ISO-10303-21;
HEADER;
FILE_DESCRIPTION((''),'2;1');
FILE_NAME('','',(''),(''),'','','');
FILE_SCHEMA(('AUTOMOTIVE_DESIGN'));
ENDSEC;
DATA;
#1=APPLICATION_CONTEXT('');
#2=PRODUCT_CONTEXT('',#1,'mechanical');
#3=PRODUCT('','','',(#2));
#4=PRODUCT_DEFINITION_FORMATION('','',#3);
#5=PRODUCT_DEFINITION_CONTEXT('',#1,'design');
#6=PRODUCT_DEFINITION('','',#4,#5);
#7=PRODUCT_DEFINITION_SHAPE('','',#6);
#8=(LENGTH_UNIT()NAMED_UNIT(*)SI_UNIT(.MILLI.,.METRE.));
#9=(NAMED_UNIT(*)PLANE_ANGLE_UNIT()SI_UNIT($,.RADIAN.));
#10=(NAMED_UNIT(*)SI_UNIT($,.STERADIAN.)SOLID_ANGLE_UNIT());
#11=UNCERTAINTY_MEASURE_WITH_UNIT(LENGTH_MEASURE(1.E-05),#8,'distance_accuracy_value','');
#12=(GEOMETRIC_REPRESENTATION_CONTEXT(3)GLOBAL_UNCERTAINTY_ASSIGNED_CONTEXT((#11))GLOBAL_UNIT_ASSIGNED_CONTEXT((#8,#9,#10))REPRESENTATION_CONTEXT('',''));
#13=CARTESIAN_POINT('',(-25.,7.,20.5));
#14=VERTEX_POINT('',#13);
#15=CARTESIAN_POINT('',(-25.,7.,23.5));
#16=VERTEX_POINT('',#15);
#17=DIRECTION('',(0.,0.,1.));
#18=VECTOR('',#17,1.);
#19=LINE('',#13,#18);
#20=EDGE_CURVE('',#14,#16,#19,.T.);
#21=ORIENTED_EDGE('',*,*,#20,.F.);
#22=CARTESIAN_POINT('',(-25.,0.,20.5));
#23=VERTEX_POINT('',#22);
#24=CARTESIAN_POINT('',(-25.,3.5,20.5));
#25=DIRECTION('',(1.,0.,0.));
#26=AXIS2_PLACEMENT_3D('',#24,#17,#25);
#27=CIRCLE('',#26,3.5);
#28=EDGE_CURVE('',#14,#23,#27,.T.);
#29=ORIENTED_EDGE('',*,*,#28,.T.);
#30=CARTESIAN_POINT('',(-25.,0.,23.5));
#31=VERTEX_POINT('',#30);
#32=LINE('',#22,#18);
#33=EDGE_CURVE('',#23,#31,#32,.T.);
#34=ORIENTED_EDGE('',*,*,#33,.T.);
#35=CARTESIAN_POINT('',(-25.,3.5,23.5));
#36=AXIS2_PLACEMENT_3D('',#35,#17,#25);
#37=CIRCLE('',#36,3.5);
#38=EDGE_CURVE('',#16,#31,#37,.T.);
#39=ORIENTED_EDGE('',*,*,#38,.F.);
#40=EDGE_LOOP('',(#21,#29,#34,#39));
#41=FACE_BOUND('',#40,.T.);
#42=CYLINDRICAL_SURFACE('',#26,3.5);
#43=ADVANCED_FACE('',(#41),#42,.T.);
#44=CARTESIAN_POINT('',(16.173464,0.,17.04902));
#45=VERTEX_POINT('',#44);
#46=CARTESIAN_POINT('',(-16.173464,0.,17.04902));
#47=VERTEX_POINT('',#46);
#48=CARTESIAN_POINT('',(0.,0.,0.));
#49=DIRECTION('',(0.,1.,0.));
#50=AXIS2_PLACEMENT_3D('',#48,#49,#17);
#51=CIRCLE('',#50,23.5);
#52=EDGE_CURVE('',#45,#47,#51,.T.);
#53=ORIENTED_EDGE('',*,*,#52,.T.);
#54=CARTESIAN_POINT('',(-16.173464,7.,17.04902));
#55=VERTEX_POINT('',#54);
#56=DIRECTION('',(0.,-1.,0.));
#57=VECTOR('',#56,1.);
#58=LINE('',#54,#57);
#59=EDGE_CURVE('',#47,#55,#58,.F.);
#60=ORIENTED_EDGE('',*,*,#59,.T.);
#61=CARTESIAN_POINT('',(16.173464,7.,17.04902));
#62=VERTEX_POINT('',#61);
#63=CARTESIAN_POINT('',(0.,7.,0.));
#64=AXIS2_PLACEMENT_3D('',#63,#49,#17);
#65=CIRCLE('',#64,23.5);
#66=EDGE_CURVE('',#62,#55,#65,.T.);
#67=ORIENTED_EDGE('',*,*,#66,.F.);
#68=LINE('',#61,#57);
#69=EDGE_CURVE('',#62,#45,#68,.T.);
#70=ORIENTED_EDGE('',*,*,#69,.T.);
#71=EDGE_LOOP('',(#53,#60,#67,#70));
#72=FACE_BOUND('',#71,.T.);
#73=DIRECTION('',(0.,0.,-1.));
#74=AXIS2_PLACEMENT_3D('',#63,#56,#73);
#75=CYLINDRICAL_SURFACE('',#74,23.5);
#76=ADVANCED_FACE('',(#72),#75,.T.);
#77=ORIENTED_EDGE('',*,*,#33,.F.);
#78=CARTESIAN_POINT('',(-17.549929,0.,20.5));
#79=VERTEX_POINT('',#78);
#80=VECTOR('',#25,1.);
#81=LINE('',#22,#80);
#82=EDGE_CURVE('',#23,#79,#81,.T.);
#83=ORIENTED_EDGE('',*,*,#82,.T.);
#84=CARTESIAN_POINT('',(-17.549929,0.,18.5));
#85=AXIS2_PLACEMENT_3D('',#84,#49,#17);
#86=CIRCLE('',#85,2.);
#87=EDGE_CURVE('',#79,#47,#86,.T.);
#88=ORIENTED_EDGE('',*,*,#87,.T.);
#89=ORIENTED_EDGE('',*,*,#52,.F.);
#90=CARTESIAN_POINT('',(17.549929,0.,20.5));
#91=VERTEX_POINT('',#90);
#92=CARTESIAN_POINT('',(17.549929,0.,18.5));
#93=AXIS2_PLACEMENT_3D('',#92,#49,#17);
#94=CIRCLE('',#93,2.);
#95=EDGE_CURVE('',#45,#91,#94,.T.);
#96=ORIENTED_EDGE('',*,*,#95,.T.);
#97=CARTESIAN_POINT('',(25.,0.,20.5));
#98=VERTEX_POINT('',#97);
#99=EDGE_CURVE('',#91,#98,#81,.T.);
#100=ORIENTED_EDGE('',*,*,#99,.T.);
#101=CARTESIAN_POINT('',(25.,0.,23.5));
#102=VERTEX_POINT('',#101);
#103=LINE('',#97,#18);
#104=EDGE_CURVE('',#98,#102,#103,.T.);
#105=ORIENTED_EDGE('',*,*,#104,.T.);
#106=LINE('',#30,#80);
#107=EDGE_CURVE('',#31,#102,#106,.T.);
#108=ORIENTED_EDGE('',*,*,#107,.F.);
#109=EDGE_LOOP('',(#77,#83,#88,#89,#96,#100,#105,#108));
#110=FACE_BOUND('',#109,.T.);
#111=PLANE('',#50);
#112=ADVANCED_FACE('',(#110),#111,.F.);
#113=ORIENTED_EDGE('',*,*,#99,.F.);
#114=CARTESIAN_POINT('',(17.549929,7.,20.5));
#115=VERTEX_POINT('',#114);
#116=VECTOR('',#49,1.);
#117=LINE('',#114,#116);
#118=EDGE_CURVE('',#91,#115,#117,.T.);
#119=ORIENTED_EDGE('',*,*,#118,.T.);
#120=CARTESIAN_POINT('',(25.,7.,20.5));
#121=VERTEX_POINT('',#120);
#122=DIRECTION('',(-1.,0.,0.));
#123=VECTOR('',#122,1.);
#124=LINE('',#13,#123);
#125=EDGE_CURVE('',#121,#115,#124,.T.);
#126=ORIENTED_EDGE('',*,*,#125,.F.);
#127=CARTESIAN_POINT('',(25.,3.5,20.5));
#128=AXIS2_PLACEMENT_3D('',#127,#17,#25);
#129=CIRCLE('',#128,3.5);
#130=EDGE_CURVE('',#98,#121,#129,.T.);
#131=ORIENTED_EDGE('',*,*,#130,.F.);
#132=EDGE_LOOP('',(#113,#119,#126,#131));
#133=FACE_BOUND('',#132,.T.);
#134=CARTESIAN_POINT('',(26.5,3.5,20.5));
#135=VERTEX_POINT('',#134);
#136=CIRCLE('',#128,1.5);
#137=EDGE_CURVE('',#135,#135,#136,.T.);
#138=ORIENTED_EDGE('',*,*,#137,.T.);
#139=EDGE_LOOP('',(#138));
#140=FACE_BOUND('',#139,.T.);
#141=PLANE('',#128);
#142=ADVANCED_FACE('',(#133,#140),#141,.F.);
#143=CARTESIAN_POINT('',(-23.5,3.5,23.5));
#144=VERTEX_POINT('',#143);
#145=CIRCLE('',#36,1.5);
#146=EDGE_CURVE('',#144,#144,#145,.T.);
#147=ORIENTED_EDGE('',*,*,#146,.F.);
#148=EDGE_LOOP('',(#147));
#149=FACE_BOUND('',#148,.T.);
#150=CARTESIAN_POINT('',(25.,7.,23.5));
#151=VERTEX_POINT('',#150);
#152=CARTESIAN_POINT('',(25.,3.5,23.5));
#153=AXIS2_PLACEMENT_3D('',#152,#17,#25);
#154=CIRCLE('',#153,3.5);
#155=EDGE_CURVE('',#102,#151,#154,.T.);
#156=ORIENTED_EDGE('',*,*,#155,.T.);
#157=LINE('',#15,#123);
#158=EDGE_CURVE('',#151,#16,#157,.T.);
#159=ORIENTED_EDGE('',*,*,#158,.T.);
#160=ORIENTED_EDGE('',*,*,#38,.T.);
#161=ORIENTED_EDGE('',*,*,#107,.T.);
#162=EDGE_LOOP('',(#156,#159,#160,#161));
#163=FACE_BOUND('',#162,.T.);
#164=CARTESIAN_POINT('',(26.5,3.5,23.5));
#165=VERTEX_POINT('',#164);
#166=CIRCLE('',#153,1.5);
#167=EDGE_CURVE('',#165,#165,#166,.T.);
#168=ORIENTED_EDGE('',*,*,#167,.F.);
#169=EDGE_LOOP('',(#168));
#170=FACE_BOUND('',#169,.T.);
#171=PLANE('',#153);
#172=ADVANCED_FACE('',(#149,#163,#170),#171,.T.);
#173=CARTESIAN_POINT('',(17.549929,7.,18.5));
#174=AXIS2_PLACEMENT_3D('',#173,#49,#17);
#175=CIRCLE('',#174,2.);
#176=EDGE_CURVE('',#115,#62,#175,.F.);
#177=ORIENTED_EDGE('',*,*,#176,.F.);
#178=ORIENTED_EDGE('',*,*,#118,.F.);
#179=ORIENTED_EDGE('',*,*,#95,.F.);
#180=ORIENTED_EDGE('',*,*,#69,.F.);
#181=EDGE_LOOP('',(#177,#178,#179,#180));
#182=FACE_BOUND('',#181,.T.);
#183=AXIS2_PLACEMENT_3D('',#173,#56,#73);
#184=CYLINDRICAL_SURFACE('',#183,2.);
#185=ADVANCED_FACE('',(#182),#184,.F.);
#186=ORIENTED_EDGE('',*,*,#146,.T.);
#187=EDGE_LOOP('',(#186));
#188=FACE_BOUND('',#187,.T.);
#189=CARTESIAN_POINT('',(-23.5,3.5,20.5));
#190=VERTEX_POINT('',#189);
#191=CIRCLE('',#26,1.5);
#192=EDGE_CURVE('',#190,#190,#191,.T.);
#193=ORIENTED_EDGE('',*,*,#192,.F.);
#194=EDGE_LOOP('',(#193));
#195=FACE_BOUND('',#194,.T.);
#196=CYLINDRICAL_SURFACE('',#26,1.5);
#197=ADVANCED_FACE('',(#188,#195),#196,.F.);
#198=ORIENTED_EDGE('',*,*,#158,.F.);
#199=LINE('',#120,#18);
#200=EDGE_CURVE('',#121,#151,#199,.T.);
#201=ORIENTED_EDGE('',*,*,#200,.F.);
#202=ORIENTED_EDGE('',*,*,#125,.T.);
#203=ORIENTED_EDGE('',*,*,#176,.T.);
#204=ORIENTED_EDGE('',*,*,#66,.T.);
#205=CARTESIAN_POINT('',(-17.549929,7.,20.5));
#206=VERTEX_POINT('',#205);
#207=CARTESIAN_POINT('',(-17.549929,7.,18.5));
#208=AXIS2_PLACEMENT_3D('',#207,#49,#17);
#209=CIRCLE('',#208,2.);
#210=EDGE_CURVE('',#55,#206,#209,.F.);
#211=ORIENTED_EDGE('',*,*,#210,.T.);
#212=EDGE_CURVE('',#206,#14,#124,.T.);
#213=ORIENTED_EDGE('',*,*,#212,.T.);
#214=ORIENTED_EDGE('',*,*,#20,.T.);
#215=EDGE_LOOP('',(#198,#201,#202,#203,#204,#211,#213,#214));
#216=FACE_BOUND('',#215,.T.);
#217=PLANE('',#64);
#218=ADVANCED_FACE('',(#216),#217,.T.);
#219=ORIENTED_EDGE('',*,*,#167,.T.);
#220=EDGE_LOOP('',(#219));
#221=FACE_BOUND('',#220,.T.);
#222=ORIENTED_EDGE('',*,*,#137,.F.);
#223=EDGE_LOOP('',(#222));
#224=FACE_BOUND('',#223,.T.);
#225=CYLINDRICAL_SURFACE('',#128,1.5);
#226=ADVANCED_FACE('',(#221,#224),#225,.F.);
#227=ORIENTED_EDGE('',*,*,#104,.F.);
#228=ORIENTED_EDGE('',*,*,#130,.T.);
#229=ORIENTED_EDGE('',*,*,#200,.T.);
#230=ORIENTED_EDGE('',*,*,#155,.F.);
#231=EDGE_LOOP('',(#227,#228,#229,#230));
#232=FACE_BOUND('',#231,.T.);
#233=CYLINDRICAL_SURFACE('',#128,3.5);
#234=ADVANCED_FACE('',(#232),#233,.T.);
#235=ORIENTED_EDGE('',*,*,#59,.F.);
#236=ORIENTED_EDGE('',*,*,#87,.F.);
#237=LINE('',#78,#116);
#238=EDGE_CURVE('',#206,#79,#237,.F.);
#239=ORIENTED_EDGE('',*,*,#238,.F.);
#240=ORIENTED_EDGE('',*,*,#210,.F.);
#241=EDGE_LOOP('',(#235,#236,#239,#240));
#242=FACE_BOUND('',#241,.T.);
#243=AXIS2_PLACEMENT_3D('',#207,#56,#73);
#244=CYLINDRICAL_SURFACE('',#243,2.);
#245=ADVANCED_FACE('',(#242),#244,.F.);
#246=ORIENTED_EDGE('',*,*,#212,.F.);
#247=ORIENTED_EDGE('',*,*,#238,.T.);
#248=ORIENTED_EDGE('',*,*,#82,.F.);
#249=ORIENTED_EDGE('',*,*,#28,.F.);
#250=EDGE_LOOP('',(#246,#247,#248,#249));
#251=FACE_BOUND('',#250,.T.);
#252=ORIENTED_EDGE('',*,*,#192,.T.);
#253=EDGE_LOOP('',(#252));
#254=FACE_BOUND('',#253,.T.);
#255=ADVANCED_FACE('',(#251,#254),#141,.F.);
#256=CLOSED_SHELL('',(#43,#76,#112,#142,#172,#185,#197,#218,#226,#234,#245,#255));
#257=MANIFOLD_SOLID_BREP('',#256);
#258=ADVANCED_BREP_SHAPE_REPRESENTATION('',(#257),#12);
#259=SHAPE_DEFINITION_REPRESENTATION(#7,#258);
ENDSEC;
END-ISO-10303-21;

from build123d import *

# Parameters (mm, degrees)
SKETCH1_R           = 23.5
BOSS_EXTRUDE1_DEPTH = 7
SKETCH2_R           = 1.5
BOSS_EXTRUDE2_DEPTH = 3
FILLET1_R           = 2


with BuildPart() as part:
    # Sketch1 → Boss-Extrude1 (new body)
    with BuildSketch(Plane(origin=(0, 0, 0), x_dir=(1, 0, 0), z_dir=(0, 1, 0))):
        with Locations(Location((0, 0, 0), (0, 0, 270))):
            Circle(SKETCH1_R)
    extrude(amount=BOSS_EXTRUDE1_DEPTH)

    # Sketch2 → Boss-Extrude2 (add)
    with BuildSketch(Plane.XY.offset(23.5)):
        with BuildLine():
            Line((-25, 0), (25, 0))
            ThreePointArc((25, 0), (28.5, 3.5), (25, 7))
            Line((25, 7), (-25, 7))
            ThreePointArc((-25, 7), (-28.5, 3.5), (-25, 0))
        make_face()
        with Locations((25, 3.5)):
            Circle(SKETCH2_R, mode=Mode.SUBTRACT)
        with Locations((-25, 3.5)):
            Circle(SKETCH2_R, mode=Mode.SUBTRACT)
    extrude(amount=-BOSS_EXTRUDE2_DEPTH)

    # Fillet1
    fillet1_edges = [part.edges().sort_by_distance(p)[0] for p in [
        (-11.489125293, 3.5, 20.5),
        (11.489125293, 3.5, 20.5),
    ]]
    fillet(fillet1_edges, radius=FILLET1_R)


solid = part.part
